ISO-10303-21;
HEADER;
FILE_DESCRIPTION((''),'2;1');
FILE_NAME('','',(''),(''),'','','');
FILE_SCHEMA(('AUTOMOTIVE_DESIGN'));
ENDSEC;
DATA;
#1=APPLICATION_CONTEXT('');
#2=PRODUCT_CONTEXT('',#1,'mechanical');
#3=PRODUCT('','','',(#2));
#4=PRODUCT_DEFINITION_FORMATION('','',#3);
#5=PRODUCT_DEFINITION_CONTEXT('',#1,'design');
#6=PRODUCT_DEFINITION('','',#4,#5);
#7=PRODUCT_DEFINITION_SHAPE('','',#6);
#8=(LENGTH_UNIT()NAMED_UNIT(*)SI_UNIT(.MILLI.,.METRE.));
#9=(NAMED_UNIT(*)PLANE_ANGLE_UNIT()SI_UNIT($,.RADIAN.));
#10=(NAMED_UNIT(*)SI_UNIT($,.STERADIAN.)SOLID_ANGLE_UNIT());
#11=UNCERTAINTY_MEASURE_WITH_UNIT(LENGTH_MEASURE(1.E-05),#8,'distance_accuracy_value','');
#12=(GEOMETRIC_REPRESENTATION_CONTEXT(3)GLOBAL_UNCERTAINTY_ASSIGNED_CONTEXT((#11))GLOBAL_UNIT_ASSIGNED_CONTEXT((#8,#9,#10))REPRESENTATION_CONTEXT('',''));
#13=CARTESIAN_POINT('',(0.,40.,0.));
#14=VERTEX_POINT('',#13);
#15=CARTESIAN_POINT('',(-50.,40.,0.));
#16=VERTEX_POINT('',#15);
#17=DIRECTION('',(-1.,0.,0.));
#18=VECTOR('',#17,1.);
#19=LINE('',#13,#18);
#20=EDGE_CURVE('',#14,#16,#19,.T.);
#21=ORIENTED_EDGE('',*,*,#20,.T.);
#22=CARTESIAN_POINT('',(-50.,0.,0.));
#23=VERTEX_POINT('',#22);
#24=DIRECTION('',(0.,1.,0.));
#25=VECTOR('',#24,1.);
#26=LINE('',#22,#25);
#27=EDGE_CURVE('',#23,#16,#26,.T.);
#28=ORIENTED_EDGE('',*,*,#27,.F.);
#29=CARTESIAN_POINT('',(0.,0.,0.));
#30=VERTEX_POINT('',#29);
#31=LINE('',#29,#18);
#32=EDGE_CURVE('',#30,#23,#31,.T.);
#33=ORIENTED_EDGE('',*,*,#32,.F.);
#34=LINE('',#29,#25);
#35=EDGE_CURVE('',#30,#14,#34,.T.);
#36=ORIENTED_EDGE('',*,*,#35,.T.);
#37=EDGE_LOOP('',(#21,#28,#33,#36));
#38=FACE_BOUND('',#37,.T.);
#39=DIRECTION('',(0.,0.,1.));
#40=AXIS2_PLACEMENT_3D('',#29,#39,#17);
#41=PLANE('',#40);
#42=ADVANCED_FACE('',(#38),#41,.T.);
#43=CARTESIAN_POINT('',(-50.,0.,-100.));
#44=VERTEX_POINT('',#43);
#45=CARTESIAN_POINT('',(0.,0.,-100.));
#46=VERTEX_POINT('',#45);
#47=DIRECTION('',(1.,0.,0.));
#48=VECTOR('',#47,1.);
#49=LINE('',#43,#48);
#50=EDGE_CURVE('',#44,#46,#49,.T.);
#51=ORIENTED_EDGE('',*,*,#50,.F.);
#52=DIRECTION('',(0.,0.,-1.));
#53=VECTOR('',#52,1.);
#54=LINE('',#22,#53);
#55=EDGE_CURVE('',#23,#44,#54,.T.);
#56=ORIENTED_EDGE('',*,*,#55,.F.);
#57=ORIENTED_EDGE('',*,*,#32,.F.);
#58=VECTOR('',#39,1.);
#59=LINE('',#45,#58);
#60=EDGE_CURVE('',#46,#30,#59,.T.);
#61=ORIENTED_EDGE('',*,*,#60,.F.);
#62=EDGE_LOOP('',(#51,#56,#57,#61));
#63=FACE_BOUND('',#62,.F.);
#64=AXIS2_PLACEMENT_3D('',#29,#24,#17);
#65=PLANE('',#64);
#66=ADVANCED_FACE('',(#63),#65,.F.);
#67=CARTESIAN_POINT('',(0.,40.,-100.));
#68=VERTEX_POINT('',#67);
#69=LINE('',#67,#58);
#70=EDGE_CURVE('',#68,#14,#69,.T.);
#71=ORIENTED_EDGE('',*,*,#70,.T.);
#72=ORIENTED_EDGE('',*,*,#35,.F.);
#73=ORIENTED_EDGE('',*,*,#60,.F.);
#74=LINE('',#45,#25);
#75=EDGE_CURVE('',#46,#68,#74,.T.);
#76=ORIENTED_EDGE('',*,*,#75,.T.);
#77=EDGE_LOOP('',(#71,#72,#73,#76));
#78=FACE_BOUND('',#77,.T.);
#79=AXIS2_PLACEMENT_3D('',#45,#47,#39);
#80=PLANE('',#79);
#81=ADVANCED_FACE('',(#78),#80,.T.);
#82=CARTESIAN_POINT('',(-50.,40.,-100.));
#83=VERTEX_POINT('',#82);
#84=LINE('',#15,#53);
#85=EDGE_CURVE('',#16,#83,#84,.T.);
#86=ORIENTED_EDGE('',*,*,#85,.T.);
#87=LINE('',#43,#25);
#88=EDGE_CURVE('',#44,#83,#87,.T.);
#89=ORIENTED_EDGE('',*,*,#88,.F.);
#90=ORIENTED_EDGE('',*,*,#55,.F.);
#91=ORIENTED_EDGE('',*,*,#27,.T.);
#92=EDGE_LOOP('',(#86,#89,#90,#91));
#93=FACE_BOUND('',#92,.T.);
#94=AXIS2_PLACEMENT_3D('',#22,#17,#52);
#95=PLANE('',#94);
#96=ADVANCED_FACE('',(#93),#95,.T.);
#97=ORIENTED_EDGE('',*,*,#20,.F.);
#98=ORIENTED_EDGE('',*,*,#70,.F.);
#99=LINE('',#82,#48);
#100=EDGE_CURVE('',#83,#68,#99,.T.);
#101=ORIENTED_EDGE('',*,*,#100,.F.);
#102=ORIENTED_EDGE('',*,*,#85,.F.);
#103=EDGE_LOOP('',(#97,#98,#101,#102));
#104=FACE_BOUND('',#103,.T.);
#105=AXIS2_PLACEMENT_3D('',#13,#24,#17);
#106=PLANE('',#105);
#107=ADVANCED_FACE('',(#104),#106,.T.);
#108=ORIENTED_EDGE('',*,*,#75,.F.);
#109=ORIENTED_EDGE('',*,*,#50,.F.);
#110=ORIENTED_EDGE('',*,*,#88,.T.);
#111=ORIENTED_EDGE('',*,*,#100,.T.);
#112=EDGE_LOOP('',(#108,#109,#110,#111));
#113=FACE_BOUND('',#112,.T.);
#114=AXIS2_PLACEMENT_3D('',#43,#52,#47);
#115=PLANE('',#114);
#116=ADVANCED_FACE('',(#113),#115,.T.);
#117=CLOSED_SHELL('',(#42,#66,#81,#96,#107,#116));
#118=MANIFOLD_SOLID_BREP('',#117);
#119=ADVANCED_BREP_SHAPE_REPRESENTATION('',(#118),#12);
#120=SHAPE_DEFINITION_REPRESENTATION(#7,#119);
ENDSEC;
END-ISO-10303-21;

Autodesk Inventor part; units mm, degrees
ref_plane "YZ Plane" through (0, 0, 0) normal (1, 0, 0) x (0, 1, 0)
ref_plane "XZ Plane" through (0, 0, 0) normal (0, 1, 0) x (-1, 0, 0)
ref_plane "XY Plane" through (0, 0, 0) normal (0, 0, 1) x (1, 0, 0)
sketch "Sketch1" plane through (0, 0, 0) normal (0, 1, 0) x (-1, 0, 0)
  line L0 (0, 0) -> (50, 0)
  line L1 (50, 0) -> (50, -100)
  line L2 (50, -100) -> (0, -100)
  line L3 (0, -100) -> (0, 0)
  dimension "d0" = 100
  dimension "d1" = 50
extrude "Extrusion1" add sketch "Sketch1" along normal blind 40
properties part number "placeholder"
